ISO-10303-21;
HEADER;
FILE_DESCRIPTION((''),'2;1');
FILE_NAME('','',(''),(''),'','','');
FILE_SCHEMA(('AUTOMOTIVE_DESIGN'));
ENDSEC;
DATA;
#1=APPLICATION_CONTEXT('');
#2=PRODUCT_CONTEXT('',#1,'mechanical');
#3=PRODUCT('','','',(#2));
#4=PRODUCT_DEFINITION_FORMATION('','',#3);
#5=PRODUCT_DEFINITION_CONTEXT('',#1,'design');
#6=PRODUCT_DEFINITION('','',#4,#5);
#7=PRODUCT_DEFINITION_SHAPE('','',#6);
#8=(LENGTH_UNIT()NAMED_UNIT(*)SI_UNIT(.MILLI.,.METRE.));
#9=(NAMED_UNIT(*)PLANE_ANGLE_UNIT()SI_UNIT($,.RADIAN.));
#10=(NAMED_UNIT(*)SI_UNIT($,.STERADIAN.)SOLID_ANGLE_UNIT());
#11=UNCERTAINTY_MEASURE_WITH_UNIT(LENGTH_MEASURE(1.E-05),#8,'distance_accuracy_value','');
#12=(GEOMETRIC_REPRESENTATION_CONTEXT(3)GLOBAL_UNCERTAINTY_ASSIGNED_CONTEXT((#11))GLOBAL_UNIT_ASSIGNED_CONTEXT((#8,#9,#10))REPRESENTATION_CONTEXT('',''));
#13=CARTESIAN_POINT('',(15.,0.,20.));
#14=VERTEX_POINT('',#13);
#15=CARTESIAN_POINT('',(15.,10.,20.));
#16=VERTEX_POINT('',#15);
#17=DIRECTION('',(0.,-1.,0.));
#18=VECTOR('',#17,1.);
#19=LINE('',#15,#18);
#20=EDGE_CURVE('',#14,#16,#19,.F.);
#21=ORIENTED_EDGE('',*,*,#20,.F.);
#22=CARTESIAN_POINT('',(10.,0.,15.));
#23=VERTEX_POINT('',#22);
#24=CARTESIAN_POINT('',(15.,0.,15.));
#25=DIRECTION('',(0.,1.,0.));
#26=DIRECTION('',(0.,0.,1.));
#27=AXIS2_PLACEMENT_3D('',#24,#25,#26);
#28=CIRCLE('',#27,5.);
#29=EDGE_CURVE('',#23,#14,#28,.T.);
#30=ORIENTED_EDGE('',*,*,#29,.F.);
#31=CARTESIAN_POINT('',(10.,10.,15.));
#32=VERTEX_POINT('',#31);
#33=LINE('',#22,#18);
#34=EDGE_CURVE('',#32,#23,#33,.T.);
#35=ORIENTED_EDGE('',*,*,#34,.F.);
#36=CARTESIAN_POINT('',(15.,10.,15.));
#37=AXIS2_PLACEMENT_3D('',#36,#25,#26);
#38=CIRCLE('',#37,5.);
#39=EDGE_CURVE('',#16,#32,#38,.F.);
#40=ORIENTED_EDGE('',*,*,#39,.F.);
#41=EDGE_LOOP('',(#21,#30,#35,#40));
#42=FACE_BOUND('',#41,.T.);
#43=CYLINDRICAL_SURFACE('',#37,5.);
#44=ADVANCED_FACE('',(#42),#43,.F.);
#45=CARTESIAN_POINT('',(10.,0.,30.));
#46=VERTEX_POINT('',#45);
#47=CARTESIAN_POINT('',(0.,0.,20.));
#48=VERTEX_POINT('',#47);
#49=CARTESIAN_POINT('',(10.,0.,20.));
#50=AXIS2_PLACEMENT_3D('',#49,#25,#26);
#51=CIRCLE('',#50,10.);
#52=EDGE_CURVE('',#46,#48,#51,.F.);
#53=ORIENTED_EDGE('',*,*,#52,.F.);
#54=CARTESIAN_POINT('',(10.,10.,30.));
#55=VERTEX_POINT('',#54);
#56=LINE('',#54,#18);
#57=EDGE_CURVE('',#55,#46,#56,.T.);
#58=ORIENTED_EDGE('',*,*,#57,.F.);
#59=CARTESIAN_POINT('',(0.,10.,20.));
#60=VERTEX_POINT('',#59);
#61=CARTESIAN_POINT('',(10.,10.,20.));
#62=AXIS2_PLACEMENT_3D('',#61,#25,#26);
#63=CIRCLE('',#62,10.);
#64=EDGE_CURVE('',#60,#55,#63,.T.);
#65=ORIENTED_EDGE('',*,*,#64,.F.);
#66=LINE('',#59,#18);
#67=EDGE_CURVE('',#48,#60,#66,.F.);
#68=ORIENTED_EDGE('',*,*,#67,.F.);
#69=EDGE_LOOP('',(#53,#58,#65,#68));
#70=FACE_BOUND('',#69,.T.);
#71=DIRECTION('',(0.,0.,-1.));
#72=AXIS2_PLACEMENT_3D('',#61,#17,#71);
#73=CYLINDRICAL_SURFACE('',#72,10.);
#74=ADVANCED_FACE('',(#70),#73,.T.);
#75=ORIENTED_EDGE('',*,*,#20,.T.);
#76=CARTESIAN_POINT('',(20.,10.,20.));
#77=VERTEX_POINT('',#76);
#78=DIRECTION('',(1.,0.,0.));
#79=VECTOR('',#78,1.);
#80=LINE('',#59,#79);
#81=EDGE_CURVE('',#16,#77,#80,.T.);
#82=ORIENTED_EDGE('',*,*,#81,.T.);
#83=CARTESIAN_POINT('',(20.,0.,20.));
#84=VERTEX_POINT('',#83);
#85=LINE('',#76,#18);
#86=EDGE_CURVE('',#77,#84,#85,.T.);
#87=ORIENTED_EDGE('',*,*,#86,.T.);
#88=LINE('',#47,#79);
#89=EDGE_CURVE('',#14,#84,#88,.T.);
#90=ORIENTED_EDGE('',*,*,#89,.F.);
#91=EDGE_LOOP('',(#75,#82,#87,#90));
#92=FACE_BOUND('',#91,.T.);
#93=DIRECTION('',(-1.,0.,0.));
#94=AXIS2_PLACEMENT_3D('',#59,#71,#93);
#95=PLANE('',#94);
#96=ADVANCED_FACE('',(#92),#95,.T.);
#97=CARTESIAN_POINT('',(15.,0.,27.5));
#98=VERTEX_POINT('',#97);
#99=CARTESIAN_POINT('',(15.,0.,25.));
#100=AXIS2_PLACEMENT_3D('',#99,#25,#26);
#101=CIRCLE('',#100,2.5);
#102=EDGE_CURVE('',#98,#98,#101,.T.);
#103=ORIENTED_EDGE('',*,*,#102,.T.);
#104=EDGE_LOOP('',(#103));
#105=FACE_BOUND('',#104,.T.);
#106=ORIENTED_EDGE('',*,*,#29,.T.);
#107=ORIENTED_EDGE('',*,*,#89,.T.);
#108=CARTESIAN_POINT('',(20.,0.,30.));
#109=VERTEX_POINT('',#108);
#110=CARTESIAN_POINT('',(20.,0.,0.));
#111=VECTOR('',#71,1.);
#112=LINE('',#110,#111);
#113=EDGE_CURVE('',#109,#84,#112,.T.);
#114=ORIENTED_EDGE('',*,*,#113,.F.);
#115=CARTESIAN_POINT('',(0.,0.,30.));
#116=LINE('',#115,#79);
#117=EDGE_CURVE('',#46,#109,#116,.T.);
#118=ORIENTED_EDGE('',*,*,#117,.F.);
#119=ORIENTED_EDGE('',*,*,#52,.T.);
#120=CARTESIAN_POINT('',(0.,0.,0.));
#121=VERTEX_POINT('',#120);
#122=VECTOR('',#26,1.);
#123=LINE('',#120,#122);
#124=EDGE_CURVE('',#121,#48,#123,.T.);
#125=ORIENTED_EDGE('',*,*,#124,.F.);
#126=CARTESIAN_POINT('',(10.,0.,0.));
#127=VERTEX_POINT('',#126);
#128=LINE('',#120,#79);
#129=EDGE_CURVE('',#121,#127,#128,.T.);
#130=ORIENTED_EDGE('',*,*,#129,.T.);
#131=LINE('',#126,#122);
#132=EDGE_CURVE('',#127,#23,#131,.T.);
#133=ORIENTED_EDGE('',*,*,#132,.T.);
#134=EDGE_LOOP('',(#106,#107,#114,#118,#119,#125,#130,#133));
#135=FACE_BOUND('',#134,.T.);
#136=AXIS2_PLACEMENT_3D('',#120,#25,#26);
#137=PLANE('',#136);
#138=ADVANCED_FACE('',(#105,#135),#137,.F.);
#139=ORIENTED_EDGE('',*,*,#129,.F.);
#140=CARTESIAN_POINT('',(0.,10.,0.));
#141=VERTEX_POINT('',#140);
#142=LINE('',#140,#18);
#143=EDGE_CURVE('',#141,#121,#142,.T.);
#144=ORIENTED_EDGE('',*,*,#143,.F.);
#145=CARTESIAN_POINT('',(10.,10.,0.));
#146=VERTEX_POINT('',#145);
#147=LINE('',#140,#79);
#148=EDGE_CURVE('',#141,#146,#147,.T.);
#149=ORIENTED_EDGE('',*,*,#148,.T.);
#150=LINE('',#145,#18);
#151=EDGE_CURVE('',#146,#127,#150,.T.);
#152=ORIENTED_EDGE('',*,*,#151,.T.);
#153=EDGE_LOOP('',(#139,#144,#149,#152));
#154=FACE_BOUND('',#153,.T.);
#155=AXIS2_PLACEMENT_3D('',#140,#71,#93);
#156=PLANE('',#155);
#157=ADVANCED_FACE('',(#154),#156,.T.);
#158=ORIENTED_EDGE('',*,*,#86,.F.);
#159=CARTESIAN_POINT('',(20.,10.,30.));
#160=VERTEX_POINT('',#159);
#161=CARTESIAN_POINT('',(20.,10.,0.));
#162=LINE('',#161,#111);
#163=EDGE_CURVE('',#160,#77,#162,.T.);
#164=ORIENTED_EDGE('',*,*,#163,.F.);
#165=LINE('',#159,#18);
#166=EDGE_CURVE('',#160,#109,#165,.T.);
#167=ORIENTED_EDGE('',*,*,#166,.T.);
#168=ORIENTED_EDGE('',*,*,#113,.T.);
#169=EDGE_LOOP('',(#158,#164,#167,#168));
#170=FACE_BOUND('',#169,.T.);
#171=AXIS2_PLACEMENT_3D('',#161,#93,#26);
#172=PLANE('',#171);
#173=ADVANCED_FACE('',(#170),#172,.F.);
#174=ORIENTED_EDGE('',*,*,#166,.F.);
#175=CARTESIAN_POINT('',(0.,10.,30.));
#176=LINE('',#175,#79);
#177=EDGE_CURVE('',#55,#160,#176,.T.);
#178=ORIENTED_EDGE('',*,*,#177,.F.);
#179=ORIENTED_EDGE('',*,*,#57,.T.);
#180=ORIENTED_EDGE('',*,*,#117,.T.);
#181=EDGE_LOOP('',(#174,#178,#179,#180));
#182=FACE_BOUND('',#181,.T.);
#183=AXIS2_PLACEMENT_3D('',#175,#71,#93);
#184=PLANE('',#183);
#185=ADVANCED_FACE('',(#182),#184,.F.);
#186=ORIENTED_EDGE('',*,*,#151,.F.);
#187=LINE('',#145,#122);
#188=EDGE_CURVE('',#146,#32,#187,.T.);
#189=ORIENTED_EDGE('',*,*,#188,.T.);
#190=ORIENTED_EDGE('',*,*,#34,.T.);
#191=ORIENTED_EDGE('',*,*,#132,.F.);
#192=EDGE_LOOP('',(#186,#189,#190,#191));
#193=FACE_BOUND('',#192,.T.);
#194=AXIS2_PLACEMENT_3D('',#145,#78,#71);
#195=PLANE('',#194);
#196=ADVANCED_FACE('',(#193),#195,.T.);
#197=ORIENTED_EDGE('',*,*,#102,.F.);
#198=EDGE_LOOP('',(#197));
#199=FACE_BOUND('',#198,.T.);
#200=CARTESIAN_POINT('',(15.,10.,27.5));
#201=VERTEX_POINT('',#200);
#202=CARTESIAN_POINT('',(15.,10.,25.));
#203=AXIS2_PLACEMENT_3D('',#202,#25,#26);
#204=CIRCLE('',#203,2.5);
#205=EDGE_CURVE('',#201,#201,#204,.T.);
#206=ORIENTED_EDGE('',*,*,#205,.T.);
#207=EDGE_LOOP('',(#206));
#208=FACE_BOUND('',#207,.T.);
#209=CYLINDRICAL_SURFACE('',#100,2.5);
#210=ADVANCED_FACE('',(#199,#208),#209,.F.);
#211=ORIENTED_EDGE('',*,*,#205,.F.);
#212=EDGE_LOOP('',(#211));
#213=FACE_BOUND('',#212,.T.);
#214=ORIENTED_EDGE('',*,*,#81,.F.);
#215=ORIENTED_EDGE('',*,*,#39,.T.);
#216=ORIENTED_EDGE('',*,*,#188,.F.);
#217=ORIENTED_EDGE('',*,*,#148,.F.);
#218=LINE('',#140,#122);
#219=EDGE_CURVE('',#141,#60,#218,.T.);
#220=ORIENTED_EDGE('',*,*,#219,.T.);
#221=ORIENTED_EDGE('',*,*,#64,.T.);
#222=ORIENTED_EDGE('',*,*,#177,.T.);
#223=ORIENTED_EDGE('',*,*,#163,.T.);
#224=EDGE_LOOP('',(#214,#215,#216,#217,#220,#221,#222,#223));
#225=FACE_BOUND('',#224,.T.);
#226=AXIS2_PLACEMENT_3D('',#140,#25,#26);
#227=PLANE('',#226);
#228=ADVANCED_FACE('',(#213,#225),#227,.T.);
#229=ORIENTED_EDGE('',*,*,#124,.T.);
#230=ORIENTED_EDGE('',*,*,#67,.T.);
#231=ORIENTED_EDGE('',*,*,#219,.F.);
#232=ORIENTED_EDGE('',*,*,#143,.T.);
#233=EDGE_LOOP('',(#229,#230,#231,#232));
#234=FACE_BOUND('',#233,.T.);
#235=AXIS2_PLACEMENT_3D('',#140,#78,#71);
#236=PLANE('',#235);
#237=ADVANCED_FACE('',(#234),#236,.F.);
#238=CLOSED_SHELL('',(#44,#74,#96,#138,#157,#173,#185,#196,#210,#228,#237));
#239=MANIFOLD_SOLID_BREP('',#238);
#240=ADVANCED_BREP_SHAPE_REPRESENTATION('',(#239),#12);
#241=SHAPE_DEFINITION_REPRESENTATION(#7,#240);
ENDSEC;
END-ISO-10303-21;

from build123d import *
from OCP.BRepFilletAPI import BRepFilletAPI_MakeFillet

# Parameters (mm, degrees)
BOSS_EXTRUDE1_DEPTH = 10
FILLET1_R1          = 5
FILLET1_R2          = 10
SKETCH3_R           = 2.5
CUT_EXTRUDE1_DEPTH  = 38.416573868


with BuildPart() as part:
    # Sketch2 → Boss-Extrude1 (new body)
    with BuildSketch(Plane(origin=(0, 0, 0), x_dir=(1, 0, 0), z_dir=(0, 1, 0))):
        Polygon((10, 0), (0, 0), (0, -30), (5, -30), (20, -30), (20, -20), (10, -20), align=None)
    extrude(amount=BOSS_EXTRUDE1_DEPTH)

    # Fillet1: one fillet with a radius per group of edges: ONE call of the kernel's fillet builder (fillet() takes one radius for all edges)
    fillet1_edges_1 = [part.edges().sort_by_distance(p)[0] for p in [
        (10, 5, 20),
    ]]
    fillet1_edges_2 = [part.edges().sort_by_distance(p)[0] for p in [
        (0, 5, 30),
    ]]
    fillet1 = BRepFilletAPI_MakeFillet(part.part.solid().wrapped)
    for e in fillet1_edges_1:
        fillet1.Add(FILLET1_R1, e.wrapped)
    for e in fillet1_edges_2:
        fillet1.Add(FILLET1_R2, e.wrapped)
    add(Compound.cast(fillet1.Shape()), mode=Mode.REPLACE)

    # Sketch3 → Cut-Extrude1 (cut, through all)
    with BuildSketch(Plane(origin=(0, 10, 0), x_dir=(1, 0, 0), z_dir=(0, 1, 0))):
        with Locations((15, -25)):
            Circle(SKETCH3_R)
    extrude(amount=-CUT_EXTRUDE1_DEPTH, mode=Mode.SUBTRACT)


solid = part.part
